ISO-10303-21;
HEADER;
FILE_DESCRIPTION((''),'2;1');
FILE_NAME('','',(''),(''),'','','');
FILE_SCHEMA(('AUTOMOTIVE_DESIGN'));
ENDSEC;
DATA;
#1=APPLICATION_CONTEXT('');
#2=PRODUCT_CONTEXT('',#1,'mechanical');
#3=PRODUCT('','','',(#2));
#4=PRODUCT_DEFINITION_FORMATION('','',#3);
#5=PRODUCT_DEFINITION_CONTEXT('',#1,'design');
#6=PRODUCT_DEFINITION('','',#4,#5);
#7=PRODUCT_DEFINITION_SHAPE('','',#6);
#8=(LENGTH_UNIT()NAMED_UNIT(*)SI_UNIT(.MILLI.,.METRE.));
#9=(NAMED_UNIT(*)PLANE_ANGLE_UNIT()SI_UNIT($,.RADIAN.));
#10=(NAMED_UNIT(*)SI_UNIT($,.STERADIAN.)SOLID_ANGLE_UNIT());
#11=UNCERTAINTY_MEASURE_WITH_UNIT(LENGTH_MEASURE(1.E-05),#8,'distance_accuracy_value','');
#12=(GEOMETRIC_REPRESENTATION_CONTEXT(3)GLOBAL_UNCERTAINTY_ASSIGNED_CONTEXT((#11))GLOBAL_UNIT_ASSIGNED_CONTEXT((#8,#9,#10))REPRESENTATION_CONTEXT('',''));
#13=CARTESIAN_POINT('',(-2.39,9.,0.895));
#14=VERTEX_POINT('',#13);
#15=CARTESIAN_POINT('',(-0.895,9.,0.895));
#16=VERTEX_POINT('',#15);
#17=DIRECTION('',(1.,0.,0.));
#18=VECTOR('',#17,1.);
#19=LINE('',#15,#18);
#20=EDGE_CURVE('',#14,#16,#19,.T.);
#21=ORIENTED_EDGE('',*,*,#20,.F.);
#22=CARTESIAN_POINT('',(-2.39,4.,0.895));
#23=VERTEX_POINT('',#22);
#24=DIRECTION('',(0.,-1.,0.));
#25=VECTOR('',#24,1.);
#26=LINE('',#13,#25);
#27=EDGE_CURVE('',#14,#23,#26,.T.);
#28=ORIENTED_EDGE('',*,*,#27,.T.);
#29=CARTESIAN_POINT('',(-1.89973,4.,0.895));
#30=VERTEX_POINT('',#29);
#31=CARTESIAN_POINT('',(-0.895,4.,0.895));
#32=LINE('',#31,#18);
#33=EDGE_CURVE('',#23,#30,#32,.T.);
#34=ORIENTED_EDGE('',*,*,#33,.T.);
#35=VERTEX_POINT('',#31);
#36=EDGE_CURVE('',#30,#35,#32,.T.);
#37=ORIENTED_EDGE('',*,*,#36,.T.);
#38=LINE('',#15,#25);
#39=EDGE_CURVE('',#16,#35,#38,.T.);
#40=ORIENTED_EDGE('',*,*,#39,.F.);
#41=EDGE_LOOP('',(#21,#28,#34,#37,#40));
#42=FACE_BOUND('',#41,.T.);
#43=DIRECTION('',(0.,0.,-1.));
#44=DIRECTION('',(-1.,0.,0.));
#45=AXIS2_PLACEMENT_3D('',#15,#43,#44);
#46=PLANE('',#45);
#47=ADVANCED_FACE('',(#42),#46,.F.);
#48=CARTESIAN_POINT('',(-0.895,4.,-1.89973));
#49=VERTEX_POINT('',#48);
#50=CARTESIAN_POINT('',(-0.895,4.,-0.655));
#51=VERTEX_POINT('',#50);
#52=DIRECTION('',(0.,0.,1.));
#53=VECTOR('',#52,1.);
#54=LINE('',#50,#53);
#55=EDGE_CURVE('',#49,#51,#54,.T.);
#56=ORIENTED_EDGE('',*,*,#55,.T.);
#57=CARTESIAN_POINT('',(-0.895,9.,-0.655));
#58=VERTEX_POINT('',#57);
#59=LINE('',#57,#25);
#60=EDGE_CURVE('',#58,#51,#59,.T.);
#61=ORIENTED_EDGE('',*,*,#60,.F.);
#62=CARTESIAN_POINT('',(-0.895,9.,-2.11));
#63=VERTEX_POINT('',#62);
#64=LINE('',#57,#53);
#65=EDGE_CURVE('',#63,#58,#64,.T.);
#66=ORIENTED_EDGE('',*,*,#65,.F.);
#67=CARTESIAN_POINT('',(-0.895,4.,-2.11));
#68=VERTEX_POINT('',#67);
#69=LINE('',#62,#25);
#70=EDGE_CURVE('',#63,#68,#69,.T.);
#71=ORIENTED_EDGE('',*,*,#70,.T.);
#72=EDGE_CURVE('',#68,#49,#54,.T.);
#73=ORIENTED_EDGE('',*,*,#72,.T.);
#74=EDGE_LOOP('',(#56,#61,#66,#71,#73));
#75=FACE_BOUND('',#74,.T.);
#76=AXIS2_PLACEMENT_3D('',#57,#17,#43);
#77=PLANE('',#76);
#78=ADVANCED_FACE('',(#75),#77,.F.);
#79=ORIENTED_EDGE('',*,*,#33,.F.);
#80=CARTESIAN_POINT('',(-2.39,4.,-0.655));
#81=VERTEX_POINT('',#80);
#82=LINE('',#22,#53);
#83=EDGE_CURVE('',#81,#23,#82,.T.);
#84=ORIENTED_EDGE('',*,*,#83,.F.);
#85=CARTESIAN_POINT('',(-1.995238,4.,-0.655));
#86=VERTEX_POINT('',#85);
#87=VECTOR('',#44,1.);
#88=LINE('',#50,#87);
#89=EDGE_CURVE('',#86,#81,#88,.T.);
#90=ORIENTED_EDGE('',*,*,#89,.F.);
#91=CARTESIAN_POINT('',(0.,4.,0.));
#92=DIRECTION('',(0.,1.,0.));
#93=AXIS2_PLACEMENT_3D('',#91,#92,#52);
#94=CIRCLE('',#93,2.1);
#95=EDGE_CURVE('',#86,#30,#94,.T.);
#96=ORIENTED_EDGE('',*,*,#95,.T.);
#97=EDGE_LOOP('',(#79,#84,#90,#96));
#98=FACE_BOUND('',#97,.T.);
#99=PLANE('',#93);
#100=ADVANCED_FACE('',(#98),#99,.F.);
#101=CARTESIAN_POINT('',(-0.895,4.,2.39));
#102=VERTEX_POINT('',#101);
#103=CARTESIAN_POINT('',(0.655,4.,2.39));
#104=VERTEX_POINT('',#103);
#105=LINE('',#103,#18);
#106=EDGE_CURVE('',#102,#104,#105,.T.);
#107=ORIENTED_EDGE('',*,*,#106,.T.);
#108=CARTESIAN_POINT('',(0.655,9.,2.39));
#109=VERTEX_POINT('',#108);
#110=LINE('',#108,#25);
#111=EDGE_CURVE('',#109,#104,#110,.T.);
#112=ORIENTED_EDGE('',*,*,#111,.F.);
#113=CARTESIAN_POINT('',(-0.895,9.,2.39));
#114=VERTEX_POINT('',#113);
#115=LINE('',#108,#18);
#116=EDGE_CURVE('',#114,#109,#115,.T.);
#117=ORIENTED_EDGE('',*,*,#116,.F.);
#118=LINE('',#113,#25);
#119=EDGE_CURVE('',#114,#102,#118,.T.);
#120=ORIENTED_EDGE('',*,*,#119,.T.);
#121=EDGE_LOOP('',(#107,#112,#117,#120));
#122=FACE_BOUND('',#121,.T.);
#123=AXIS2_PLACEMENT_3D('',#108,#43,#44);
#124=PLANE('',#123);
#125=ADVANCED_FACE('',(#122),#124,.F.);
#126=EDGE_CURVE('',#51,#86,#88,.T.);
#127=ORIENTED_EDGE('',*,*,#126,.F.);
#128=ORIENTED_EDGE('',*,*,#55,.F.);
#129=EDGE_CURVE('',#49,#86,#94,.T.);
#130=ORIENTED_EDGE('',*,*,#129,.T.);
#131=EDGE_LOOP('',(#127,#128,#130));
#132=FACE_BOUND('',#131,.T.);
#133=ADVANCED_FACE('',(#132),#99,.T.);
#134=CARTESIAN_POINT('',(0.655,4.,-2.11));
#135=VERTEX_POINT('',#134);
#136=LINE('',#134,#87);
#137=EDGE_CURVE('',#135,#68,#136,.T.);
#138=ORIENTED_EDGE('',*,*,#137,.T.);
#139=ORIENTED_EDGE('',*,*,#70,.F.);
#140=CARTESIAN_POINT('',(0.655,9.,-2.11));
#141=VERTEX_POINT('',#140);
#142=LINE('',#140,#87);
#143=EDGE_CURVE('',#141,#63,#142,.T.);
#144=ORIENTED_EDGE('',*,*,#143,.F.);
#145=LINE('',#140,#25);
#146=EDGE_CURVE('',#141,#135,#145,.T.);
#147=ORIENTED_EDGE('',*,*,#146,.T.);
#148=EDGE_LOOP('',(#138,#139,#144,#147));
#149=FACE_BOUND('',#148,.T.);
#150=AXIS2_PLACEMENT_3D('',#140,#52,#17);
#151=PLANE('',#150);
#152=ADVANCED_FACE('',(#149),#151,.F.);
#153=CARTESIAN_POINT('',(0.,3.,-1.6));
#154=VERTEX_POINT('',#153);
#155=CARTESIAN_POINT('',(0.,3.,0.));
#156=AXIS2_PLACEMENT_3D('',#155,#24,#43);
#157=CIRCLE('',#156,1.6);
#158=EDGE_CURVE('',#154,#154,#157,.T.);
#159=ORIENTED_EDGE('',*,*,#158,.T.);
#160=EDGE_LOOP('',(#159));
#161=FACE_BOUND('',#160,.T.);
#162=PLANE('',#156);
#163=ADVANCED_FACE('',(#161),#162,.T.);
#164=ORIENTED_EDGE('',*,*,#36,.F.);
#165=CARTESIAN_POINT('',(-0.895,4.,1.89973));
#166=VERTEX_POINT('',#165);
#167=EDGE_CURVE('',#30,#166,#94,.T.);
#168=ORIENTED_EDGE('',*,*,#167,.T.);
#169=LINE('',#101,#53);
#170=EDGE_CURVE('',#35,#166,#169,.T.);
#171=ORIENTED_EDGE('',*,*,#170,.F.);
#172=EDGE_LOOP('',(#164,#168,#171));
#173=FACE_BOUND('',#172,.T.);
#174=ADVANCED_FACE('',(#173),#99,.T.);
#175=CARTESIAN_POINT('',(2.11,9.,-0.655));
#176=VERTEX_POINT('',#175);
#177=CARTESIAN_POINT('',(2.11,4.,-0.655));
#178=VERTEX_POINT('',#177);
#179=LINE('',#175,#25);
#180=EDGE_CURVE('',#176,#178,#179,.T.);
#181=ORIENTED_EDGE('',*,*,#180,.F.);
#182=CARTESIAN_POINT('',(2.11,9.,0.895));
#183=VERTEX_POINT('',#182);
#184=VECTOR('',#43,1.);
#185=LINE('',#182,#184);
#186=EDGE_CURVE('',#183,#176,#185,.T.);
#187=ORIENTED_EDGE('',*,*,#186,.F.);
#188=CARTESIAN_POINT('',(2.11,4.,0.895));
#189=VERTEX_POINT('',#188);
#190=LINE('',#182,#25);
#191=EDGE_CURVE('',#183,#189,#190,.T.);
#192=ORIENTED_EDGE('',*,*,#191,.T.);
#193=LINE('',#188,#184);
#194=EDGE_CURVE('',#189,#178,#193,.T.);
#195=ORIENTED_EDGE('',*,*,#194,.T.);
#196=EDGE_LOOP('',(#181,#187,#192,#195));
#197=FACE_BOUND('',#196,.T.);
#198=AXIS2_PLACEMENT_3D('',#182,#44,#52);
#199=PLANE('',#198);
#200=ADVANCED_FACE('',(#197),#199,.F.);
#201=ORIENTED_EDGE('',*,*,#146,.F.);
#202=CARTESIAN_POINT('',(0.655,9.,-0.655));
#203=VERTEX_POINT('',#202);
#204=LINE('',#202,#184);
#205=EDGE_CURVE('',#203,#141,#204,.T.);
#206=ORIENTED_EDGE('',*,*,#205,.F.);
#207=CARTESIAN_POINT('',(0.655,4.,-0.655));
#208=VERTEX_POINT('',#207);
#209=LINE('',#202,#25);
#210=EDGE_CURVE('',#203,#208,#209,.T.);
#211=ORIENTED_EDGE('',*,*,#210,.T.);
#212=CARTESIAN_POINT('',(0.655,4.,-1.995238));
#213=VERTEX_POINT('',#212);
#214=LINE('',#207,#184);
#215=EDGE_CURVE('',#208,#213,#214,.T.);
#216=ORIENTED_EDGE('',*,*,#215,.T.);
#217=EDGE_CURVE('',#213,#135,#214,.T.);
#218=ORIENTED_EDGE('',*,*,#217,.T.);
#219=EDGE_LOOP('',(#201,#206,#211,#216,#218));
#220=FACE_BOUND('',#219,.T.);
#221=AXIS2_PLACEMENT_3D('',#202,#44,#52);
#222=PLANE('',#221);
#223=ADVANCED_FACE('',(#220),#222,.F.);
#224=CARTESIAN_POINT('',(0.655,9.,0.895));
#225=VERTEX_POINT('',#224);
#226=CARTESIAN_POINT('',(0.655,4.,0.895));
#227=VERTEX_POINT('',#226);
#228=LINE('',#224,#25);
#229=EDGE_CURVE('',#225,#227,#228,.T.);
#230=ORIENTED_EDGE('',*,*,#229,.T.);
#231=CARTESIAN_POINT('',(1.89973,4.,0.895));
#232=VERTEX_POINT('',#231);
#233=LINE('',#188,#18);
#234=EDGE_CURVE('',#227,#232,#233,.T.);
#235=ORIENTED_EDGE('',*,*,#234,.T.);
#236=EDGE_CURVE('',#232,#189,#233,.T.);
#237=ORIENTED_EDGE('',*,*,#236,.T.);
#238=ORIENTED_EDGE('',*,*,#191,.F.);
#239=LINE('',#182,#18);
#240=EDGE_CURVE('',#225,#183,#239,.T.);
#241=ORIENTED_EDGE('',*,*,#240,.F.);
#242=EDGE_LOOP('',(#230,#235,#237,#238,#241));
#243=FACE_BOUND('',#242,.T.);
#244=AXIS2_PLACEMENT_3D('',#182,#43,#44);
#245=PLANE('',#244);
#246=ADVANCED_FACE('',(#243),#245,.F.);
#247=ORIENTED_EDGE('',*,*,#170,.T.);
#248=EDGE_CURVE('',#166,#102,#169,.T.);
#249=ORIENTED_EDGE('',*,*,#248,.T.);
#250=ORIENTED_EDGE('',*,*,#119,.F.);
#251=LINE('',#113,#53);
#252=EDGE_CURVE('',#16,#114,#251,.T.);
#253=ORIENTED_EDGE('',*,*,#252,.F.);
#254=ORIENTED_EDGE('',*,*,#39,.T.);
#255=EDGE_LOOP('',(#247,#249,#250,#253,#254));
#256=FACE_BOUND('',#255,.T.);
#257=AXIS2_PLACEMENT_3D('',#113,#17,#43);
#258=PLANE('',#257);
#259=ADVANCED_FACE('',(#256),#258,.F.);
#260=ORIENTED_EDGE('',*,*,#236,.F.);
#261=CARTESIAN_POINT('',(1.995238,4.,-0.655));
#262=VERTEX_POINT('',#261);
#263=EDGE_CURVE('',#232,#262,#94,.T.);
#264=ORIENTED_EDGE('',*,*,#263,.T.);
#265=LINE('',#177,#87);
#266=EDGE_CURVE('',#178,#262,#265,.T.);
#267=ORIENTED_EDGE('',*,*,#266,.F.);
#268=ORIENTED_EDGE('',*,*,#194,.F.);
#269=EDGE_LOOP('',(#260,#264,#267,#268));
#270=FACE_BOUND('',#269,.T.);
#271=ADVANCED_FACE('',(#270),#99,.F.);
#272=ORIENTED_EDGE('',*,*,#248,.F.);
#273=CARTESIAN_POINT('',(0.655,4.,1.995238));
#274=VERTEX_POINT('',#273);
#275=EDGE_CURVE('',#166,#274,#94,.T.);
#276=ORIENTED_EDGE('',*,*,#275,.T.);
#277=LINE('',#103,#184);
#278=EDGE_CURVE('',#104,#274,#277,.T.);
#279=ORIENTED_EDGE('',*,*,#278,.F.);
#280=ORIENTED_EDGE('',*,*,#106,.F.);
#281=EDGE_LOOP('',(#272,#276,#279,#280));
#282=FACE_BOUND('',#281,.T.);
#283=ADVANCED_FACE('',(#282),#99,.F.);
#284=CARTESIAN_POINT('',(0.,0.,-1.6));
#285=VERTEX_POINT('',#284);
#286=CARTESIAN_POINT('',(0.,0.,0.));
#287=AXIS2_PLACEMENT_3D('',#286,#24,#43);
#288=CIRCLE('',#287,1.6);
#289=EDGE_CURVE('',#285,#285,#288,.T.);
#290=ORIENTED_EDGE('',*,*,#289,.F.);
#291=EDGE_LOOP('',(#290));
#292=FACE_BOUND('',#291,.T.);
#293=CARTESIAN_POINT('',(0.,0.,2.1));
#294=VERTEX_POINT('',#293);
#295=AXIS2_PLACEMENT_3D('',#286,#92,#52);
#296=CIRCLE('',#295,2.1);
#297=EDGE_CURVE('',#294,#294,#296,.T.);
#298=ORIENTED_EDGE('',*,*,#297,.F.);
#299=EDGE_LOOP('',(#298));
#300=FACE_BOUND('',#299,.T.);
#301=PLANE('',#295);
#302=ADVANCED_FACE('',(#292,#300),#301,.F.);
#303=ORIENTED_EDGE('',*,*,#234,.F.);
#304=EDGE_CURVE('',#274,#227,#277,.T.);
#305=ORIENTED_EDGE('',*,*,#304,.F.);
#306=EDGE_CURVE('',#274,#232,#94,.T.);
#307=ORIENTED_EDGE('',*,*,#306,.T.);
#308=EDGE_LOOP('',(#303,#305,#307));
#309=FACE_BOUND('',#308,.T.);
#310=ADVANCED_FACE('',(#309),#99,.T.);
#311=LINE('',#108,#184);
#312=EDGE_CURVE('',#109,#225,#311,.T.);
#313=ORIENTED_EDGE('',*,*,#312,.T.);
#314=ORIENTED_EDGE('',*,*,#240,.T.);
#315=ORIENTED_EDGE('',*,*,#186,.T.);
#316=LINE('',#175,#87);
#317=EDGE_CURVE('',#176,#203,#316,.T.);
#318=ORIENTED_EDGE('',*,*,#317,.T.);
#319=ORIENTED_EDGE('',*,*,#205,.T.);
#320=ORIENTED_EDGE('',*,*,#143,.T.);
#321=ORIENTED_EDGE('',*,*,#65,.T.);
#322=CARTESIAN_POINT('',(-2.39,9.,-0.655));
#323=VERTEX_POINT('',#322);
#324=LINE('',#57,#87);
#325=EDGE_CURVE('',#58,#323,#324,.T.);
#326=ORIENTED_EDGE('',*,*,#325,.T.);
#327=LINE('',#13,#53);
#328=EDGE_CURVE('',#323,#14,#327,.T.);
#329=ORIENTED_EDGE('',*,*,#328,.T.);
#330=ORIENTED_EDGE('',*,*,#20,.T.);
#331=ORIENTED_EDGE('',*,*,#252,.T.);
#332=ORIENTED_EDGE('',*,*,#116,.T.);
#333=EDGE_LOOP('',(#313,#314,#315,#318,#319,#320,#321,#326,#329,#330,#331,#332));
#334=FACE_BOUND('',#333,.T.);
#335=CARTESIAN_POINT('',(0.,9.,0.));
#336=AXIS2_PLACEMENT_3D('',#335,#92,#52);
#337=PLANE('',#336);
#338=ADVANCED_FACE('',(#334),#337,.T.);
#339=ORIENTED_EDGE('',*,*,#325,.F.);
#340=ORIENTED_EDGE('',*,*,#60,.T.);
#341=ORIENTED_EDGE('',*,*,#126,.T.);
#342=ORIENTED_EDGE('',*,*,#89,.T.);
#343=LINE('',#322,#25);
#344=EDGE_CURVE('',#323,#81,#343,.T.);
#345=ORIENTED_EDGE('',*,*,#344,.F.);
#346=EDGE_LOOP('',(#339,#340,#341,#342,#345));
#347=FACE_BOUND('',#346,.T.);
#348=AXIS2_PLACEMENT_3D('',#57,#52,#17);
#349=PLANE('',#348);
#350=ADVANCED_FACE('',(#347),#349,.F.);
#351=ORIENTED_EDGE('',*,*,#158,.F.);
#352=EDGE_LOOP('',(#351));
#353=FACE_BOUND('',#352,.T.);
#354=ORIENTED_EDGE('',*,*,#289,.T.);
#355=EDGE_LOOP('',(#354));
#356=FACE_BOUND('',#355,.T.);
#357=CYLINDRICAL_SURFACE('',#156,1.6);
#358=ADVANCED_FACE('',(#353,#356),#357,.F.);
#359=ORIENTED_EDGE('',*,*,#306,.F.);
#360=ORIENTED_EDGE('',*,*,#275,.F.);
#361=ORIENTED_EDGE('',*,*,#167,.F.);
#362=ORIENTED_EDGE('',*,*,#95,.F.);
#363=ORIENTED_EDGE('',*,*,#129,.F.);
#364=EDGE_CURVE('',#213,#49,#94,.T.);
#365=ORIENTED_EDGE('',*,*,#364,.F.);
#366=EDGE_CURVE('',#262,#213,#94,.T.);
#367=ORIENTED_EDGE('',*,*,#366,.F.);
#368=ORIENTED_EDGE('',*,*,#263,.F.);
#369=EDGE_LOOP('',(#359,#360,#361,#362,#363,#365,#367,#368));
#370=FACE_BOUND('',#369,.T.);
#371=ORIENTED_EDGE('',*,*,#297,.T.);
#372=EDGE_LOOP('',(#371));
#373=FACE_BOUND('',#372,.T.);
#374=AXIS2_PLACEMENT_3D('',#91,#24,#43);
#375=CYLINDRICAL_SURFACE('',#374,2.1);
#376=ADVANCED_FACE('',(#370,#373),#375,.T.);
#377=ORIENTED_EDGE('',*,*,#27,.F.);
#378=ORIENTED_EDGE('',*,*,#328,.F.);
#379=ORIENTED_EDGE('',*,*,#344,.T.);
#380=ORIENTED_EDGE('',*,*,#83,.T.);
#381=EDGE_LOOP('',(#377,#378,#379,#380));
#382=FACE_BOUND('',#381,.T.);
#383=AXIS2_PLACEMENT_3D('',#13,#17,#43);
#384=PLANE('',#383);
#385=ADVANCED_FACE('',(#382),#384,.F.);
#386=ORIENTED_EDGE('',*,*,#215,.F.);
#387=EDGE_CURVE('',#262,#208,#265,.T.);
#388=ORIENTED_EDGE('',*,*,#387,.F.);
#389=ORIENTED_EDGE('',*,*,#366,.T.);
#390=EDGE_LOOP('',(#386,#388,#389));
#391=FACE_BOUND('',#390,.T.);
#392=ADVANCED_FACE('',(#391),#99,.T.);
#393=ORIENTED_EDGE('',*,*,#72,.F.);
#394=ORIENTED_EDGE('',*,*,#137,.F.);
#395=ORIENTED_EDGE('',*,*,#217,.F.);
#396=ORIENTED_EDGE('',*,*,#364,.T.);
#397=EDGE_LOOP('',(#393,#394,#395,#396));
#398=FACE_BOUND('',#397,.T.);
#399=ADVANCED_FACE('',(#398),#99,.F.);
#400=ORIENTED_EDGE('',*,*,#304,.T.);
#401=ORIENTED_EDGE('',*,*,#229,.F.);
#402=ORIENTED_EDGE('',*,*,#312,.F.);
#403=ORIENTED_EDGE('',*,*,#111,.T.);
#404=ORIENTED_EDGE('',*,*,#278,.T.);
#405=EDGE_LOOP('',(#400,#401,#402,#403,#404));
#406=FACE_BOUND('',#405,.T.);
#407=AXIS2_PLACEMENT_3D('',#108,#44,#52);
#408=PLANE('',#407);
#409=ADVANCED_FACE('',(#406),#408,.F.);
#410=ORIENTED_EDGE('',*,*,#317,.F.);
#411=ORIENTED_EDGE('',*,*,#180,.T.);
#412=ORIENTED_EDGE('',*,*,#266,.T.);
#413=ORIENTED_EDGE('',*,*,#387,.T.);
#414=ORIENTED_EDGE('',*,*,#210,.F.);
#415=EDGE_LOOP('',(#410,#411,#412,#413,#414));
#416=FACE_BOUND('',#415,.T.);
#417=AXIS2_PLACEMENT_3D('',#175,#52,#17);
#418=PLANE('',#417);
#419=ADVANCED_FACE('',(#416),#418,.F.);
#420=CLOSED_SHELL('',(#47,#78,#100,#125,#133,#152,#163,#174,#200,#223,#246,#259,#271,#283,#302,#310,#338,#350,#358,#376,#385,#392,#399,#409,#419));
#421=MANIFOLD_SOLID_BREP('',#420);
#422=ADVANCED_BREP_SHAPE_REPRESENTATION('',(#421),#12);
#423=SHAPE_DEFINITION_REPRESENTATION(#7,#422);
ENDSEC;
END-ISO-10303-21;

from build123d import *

# Parameters (mm, degrees)
SKETCH1_R           = 2.1
BOSS_EXTRUDE1_DEPTH = 4
SKETCH2_R           = 1.6
CUT_EXTRUDE1_DEPTH  = 3
BOSS_EXTRUDE2_DEPTH = 5


with BuildPart() as part:
    # Sketch1 → Boss-Extrude1 (new body)
    with BuildSketch(Plane(origin=(0, 0, 0), x_dir=(1, 0, 0), z_dir=(0, 1, 0))):
        Circle(SKETCH1_R)
    extrude(amount=BOSS_EXTRUDE1_DEPTH)

    # Sketch2 → Cut-Extrude1 (cut)
    with BuildSketch(Plane(origin=(0, 0, 0), x_dir=(-1, 0, 0), z_dir=(0, -1, 0))):
        Circle(SKETCH2_R)
    extrude(amount=-CUT_EXTRUDE1_DEPTH, mode=Mode.SUBTRACT)

    # Sketch3 → Boss-Extrude2 (add)
    with BuildSketch(Plane(origin=(0, 4, 0), x_dir=(1, 0, 0), z_dir=(0, 1, 0))):
        Polygon((-0.895, 0.655), (-2.39, 0.655), (-2.39, -0.895), (-0.895, -0.895), (-0.895, -2.39), (0.655, -2.39), (0.655, -0.895), (2.11, -0.895), (2.11, 0.655), (0.655, 0.655), (0.655, 2.11), (-0.895, 2.11), align=None)
    extrude(amount=BOSS_EXTRUDE2_DEPTH)


solid = part.part
